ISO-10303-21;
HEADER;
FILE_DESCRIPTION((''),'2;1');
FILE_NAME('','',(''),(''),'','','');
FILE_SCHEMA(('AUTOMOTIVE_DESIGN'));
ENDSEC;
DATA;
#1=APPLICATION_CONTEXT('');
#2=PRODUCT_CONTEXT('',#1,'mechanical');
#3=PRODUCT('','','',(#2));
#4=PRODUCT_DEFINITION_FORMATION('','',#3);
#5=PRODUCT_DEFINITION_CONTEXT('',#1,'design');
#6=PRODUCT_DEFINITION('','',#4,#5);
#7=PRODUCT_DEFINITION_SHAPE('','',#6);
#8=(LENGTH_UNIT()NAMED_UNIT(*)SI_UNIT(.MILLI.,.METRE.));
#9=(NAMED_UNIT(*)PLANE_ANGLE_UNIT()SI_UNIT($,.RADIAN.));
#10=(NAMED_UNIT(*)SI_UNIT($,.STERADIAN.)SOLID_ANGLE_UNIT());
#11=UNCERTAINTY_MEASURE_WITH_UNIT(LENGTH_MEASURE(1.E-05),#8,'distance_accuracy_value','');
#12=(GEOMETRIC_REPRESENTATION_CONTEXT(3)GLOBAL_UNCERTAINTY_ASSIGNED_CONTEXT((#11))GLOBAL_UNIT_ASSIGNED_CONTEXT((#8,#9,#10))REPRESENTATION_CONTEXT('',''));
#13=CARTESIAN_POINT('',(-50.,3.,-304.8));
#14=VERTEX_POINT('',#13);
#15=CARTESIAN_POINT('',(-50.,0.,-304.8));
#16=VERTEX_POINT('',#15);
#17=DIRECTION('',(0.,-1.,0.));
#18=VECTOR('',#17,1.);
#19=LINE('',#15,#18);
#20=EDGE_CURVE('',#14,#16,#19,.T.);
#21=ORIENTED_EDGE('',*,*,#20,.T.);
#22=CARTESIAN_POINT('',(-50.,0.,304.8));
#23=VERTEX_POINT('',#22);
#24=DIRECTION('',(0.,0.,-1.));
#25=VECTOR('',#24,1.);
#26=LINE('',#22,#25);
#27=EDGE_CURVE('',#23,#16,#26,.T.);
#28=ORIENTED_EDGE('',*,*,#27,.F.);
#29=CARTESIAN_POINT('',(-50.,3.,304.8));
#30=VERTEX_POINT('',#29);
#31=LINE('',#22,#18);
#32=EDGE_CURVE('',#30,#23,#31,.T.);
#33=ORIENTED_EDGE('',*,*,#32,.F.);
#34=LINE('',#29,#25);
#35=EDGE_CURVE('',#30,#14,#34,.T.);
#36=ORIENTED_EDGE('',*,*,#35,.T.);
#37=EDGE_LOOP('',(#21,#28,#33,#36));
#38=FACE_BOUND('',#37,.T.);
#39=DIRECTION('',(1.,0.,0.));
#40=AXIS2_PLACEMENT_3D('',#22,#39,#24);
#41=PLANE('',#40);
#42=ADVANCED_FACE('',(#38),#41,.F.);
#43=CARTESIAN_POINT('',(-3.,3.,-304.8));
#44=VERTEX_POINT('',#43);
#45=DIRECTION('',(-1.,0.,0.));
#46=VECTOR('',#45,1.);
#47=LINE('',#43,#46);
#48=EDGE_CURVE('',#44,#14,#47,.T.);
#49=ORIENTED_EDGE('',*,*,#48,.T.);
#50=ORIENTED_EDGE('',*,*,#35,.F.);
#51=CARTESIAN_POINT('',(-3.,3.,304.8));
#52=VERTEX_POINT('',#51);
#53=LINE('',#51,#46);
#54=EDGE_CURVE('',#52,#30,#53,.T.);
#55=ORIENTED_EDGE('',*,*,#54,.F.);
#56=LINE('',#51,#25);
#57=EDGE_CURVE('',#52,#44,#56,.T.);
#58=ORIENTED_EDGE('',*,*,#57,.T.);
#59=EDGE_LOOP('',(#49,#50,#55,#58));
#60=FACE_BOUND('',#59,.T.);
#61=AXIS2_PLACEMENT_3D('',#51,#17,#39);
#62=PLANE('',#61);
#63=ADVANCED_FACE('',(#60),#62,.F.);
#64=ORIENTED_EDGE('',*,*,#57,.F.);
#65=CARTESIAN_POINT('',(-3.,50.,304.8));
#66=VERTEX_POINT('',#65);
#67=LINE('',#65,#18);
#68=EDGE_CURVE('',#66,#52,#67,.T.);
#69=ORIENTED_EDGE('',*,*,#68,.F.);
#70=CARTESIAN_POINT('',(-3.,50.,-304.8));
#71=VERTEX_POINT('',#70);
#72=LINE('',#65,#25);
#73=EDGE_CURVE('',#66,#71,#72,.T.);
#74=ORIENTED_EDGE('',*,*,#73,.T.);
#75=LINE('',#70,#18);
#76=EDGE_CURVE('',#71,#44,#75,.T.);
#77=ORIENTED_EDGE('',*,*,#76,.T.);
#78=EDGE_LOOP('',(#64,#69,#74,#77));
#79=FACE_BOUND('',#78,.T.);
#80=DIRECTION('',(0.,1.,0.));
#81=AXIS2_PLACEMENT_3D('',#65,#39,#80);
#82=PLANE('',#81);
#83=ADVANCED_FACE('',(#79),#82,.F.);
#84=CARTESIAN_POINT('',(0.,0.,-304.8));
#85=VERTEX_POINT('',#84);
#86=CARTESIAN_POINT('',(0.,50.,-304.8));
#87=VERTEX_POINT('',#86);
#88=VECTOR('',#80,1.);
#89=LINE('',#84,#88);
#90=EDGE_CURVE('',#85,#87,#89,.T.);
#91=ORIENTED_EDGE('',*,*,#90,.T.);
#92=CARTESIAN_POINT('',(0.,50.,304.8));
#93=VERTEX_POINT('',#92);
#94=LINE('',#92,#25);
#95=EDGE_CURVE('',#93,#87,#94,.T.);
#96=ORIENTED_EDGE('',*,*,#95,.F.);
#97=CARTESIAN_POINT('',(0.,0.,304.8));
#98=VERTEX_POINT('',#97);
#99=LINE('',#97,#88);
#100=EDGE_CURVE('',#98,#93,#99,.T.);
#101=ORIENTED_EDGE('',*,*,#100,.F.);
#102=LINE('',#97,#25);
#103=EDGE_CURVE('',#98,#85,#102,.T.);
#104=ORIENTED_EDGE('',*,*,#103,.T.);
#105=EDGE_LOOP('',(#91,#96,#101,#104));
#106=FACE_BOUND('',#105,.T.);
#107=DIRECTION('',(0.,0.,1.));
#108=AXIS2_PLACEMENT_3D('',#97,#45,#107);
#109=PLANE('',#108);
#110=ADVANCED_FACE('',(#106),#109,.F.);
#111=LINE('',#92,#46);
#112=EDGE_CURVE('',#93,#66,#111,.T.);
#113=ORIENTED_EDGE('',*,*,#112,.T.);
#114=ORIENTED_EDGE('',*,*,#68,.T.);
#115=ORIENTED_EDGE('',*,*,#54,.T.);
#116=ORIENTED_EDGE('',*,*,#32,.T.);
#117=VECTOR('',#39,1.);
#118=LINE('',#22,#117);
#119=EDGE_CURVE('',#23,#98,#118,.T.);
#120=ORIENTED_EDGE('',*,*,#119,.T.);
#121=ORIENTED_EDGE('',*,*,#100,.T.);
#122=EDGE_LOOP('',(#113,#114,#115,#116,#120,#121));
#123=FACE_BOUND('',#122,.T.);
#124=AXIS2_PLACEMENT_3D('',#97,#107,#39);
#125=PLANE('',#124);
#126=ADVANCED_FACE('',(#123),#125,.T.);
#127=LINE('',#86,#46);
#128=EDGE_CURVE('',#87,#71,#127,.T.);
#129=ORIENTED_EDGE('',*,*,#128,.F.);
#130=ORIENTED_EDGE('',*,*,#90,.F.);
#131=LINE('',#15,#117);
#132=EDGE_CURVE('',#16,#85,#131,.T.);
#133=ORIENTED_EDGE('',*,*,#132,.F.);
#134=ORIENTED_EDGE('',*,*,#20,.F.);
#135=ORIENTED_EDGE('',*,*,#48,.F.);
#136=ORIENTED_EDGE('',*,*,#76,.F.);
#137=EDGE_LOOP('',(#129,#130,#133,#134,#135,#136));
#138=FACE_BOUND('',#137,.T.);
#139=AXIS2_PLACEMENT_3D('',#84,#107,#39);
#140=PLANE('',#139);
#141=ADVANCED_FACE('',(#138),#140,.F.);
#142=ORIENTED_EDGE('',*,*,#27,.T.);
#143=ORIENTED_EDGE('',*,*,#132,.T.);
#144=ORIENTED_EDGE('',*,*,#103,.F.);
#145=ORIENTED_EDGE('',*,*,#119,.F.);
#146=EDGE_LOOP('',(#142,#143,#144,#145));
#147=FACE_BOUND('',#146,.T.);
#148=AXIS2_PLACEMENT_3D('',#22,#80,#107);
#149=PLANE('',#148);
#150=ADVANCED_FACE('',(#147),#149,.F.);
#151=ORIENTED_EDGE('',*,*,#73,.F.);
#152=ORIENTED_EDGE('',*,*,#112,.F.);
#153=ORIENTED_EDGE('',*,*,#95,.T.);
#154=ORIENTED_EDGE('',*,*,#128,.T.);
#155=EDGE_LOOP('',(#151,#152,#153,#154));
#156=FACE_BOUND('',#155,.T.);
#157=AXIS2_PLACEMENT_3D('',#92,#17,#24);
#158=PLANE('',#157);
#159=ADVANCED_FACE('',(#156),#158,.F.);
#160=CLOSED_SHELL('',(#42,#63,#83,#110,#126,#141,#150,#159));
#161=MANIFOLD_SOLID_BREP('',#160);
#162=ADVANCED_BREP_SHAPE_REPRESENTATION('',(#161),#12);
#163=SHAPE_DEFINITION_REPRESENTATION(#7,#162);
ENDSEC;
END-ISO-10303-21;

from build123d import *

# Parameters (mm, degrees)
BOSS_EXTRUDE1_DEPTH      = 304.8
BOSS_EXTRUDE1_DEPTH_BACK = 304.8


with BuildPart() as part:
    # Sketch3 → Boss-Extrude1 (new, two sides: drawn at the far end of the back side and taken through both)
    with BuildSketch(Plane.XY.offset(-BOSS_EXTRUDE1_DEPTH_BACK)):
        Polygon((-50, 0), (0, 0), (0, 50), (-3, 50), (-3, 3), (-50, 3), align=None)
    extrude(amount=BOSS_EXTRUDE1_DEPTH + BOSS_EXTRUDE1_DEPTH_BACK)


solid = part.part
